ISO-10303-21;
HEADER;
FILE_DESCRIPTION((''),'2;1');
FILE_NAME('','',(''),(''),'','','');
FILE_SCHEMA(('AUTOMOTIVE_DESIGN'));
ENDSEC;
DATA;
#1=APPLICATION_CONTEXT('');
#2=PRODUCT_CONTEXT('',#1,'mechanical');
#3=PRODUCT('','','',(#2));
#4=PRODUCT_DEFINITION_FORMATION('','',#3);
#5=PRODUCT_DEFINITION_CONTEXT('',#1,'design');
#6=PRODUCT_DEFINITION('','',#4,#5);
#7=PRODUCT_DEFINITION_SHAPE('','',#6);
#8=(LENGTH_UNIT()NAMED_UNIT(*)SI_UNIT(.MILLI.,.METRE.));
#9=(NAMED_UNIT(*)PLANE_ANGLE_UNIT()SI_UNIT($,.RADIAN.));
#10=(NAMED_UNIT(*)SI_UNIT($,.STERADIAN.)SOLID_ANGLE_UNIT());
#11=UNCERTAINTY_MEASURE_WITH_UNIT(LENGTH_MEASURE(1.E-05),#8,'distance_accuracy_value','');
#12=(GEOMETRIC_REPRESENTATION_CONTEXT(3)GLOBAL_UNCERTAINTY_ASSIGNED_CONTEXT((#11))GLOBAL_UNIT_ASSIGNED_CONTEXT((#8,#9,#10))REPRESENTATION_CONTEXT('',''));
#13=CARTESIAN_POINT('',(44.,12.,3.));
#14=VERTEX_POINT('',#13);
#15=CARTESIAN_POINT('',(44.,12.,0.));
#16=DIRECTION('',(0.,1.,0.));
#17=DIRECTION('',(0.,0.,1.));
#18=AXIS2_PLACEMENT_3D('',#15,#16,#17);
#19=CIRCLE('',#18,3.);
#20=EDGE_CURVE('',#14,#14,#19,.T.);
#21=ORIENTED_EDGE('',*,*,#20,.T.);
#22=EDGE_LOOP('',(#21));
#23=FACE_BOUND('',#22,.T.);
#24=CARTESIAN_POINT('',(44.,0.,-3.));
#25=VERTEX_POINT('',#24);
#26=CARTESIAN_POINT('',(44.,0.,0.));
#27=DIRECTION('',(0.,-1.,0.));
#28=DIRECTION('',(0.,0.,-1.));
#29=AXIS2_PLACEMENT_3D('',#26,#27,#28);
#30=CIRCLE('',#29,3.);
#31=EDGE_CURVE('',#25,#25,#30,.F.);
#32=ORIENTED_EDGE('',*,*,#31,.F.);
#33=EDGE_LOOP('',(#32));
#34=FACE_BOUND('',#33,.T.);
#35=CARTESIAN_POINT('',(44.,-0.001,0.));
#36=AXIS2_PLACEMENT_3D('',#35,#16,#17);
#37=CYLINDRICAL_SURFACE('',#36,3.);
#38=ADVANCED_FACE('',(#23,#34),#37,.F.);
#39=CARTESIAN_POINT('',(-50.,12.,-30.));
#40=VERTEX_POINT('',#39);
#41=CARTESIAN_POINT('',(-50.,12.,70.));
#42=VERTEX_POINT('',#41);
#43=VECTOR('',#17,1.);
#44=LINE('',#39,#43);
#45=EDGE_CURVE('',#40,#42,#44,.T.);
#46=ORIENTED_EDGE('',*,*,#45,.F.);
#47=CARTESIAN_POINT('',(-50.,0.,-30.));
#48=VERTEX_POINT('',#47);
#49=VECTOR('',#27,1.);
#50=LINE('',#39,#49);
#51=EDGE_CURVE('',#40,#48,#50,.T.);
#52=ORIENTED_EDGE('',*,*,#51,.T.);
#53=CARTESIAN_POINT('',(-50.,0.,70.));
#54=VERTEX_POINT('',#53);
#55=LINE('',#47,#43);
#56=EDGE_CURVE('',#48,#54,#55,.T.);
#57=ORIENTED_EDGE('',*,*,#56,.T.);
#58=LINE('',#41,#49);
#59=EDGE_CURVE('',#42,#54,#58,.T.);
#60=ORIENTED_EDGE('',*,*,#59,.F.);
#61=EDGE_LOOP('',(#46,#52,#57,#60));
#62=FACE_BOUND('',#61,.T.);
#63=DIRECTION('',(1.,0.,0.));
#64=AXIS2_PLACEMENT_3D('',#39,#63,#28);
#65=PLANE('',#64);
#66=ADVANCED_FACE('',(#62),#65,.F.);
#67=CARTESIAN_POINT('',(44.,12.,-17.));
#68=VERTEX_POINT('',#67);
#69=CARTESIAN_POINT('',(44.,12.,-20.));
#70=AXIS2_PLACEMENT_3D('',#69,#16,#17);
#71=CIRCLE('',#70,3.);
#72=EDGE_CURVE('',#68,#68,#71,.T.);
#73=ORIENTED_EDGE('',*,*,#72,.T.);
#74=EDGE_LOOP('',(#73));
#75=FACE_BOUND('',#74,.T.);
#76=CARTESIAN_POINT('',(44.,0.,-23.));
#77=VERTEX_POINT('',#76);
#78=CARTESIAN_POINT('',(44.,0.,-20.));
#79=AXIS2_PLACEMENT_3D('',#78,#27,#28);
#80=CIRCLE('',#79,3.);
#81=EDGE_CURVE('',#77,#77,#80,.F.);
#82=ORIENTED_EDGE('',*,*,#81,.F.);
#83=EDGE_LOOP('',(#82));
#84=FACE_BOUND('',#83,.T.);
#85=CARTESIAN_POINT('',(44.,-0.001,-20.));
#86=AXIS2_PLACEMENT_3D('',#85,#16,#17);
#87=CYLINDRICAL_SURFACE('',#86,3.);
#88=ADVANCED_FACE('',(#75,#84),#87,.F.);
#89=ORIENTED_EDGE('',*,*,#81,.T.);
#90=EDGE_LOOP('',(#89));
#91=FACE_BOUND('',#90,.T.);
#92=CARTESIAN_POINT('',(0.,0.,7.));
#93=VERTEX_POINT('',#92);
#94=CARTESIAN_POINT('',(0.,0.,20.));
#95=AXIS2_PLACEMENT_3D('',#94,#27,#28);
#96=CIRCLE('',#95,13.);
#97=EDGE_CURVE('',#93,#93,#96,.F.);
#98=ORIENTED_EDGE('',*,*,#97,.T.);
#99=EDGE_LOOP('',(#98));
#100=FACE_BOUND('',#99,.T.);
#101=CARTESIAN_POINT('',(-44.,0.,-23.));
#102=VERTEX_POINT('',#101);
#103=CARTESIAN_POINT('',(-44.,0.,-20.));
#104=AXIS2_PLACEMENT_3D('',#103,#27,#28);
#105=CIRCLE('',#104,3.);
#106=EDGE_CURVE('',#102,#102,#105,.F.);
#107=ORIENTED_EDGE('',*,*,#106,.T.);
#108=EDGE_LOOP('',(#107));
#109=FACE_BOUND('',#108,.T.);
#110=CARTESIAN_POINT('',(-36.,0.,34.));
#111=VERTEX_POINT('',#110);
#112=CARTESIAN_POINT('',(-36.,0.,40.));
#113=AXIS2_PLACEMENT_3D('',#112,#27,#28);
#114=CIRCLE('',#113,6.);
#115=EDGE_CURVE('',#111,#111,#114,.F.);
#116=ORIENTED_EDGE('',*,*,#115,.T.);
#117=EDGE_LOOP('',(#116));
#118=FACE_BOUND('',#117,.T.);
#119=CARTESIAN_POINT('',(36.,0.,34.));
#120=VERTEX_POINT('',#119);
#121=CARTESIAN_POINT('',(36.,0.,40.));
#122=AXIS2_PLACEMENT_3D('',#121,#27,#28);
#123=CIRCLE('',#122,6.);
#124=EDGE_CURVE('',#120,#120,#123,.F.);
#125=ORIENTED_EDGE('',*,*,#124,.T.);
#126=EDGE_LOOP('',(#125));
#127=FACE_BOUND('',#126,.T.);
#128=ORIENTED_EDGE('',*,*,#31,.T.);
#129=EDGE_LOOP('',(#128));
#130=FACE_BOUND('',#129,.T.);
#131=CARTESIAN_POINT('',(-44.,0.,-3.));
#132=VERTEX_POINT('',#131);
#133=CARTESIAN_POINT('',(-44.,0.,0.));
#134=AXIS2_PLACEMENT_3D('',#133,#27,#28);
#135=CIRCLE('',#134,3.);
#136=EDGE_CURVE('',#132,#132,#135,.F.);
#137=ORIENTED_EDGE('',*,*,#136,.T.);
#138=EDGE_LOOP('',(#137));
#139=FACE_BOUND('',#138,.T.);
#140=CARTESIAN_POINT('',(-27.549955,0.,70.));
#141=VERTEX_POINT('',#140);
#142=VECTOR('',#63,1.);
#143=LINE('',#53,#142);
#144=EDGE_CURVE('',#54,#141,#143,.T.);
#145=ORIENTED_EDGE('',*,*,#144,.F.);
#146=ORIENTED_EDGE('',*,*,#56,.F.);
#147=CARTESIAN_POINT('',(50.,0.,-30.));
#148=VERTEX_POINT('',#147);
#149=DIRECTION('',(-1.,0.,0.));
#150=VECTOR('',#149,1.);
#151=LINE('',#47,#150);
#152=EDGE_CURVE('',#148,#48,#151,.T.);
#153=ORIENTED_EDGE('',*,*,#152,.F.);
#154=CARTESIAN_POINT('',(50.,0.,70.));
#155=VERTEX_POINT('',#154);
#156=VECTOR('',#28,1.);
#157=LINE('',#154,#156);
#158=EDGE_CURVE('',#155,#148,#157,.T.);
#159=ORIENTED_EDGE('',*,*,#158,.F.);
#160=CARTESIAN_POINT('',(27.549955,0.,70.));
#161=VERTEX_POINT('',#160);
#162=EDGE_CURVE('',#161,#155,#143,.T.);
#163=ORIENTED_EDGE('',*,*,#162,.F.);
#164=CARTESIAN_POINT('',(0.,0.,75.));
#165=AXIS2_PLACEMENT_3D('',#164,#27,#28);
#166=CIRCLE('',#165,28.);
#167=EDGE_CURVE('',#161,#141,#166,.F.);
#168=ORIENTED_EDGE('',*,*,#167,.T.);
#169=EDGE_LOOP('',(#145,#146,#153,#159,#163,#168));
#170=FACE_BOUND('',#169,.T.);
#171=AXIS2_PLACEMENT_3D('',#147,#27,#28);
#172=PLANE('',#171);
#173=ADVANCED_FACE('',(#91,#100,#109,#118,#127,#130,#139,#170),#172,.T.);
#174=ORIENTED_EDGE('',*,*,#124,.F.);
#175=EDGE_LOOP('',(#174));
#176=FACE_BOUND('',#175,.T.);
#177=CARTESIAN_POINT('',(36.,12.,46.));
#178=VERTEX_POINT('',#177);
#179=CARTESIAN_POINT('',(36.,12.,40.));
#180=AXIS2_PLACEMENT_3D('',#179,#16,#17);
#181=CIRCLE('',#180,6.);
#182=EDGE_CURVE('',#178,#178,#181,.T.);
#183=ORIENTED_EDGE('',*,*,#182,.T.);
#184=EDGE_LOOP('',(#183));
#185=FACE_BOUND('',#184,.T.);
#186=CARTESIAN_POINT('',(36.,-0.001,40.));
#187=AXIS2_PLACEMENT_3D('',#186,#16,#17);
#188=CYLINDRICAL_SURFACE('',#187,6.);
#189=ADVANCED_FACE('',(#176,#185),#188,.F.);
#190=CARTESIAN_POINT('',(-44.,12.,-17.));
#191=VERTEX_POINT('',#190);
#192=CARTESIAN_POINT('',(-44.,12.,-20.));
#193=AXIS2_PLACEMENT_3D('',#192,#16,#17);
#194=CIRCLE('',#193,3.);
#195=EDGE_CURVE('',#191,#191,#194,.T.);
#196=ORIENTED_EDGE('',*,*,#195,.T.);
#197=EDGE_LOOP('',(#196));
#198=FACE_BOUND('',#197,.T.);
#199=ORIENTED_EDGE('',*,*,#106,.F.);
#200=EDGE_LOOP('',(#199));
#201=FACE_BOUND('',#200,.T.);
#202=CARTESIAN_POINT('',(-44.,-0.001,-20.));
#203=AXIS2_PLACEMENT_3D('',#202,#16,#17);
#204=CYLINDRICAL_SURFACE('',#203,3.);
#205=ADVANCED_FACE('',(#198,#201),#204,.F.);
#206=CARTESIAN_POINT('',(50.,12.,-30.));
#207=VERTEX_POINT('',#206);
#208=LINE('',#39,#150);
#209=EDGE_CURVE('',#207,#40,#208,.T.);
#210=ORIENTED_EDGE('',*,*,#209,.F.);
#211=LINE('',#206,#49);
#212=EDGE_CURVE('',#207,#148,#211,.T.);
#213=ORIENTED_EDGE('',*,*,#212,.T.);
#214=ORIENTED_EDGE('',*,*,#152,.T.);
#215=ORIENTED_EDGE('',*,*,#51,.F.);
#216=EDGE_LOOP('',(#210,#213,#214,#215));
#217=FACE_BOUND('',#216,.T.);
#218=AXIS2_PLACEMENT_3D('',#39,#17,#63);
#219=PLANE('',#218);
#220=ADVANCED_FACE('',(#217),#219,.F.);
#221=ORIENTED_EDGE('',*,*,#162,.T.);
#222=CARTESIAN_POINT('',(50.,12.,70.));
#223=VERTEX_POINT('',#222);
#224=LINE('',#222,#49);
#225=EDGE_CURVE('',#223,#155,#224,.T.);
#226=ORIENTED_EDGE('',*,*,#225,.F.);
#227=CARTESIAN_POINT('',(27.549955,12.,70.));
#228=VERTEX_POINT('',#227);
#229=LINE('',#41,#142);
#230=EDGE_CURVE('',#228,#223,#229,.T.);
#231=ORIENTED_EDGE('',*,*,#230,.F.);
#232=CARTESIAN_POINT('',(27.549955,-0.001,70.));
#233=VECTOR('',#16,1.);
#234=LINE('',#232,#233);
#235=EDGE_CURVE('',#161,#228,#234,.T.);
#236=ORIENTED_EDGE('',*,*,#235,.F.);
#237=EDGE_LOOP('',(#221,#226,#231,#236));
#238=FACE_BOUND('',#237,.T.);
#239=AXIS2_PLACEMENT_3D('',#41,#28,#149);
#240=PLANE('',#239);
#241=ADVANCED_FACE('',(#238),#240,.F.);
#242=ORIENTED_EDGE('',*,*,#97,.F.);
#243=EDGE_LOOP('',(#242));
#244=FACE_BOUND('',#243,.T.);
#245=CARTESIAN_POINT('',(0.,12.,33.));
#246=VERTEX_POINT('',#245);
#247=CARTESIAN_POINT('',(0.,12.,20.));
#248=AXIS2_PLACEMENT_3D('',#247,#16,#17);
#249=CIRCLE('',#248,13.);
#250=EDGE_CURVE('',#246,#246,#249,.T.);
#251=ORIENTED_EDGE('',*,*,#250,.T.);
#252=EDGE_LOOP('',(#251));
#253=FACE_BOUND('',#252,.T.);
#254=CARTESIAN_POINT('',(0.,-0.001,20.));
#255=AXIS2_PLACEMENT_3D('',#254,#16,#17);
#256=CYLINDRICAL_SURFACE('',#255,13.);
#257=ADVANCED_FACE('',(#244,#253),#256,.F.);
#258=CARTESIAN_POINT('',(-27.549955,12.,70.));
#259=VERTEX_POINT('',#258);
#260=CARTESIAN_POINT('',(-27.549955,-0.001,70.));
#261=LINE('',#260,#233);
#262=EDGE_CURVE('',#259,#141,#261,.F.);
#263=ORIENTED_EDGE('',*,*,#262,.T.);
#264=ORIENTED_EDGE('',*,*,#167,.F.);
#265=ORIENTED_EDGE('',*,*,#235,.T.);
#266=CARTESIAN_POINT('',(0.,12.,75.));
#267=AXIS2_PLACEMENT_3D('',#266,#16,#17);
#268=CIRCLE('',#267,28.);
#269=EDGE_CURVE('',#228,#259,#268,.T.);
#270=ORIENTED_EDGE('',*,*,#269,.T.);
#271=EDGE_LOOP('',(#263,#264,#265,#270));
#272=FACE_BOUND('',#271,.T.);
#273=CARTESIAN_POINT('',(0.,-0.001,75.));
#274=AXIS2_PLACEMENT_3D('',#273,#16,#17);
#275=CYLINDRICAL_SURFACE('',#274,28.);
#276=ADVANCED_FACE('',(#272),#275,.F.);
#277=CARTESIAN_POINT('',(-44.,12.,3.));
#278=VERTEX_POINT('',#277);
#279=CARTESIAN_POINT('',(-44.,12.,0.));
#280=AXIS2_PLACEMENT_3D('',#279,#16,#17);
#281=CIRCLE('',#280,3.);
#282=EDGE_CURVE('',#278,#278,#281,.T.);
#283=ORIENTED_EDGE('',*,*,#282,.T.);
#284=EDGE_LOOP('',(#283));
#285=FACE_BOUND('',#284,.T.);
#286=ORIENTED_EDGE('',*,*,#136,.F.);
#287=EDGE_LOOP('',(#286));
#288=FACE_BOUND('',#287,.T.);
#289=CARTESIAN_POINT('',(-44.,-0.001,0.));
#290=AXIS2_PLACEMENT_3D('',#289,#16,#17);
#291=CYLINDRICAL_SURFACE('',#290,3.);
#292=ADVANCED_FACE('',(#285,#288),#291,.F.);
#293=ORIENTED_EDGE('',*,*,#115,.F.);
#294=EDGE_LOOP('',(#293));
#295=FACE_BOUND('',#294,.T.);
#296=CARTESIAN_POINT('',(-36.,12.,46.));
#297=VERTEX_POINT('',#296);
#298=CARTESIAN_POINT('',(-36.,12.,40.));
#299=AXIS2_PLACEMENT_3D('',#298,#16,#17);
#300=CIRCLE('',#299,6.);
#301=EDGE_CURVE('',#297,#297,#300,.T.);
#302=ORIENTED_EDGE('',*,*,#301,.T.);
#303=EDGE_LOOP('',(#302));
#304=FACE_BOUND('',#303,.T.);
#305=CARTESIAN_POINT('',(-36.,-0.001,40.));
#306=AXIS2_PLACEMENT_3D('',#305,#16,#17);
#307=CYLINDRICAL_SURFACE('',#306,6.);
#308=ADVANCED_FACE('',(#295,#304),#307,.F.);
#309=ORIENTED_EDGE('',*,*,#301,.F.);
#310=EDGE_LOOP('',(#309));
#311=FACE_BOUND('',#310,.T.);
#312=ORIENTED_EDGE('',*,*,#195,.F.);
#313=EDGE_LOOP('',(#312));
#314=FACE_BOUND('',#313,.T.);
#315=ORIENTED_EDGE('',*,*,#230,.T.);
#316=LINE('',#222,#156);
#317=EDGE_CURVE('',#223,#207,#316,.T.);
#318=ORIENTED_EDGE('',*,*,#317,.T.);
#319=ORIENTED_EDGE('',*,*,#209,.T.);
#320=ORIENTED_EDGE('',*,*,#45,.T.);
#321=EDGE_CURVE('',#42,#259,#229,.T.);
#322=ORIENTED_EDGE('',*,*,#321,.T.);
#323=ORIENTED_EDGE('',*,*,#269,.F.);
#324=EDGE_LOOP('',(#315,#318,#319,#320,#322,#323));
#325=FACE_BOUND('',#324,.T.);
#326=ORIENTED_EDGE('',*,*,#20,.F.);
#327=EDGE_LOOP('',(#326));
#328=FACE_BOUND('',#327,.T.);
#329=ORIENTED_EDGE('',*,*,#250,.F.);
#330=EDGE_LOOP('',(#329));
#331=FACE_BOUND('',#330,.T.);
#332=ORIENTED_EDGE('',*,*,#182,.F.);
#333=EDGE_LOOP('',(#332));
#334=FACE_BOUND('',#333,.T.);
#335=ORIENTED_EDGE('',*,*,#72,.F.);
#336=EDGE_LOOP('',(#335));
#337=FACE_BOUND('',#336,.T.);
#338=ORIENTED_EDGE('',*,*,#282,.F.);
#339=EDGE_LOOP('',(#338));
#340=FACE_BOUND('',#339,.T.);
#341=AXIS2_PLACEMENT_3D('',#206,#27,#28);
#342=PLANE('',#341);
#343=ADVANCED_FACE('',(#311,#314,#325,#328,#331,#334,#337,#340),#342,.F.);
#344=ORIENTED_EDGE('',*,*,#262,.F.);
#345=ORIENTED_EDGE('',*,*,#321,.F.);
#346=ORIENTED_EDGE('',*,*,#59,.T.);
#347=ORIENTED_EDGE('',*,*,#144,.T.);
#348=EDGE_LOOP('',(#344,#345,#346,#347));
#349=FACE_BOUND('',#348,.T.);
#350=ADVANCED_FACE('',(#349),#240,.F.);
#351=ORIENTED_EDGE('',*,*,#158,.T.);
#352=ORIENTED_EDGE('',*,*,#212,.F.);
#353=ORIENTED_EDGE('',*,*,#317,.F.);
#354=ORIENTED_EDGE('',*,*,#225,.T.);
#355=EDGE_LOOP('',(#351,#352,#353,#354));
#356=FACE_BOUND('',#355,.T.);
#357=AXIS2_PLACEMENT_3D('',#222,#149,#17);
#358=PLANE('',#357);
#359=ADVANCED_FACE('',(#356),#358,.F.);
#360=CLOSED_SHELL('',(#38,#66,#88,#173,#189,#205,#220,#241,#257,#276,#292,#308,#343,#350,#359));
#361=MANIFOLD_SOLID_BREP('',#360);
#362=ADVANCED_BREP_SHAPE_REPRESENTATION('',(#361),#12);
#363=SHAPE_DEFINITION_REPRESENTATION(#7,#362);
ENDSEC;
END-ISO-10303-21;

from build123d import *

# Parameters (mm, degrees)
SKETCH1_W           = 100
SKETCH1_H           = 100
BOSS_EXTRUDE1_DEPTH = 12
CUT_EXTRUDE1_REACH  = 88.856
SKETCH2_R           = 3
CUT_EXTRUDE2_REACH  = 88.856
SKETCH3_R           = 13
CUT_EXTRUDE3_REACH  = 88.856
SKETCH4_R           = 6
CUT_EXTRUDE4_REACH  = 88.856
SKETCH5_R           = 28


with BuildPart() as part:
    # Sketch1 → Boss-Extrude1 (new body)
    with BuildSketch(Plane(origin=(0, 0, 0), x_dir=(1, 0, 0), z_dir=(0, 1, 0))):
        with Locations((0, -20)):
            Rectangle(SKETCH1_W, SKETCH1_H)
    extrude(amount=BOSS_EXTRUDE1_DEPTH)

    # Sketch2 → Cut-Extrude1 (cut, up to next)
    with BuildSketch(Plane(origin=(0, 12, 0), x_dir=(1, 0, 0), z_dir=(0, 1, 0)), mode=Mode.PRIVATE) as cut_extrude1_sk1:
        with Locations(Location((-44, 20, 0), (0, 0, 270))):
            Circle(SKETCH2_R)
    cut_extrude1_tool1 = extrude(cut_extrude1_sk1.sketch, amount=-CUT_EXTRUDE1_REACH, mode=Mode.PRIVATE) & part.part
    # Sketch2 → Cut-Extrude1 (cut, up to next)
    with BuildSketch(Plane(origin=(0, 12, 0), x_dir=(1, 0, 0), z_dir=(0, 1, 0)), mode=Mode.PRIVATE) as cut_extrude1_sk2:
        with Locations(Location((-44, 0, 0), (0, 0, 270))):
            Circle(SKETCH2_R)
    cut_extrude1_tool2 = extrude(cut_extrude1_sk2.sketch, amount=-CUT_EXTRUDE1_REACH, mode=Mode.PRIVATE) & part.part
    # Sketch2 → Cut-Extrude1 (cut, up to next)
    with BuildSketch(Plane(origin=(0, 12, 0), x_dir=(1, 0, 0), z_dir=(0, 1, 0)), mode=Mode.PRIVATE) as cut_extrude1_sk3:
        with Locations(Location((44, 20, 0), (0, 0, 270))):
            Circle(SKETCH2_R)
    cut_extrude1_tool3 = extrude(cut_extrude1_sk3.sketch, amount=-CUT_EXTRUDE1_REACH, mode=Mode.PRIVATE) & part.part
    # Sketch2 → Cut-Extrude1 (cut, up to next)
    with BuildSketch(Plane(origin=(0, 12, 0), x_dir=(1, 0, 0), z_dir=(0, 1, 0)), mode=Mode.PRIVATE) as cut_extrude1_sk4:
        with Locations(Location((44, 0, 0), (0, 0, 270))):
            Circle(SKETCH2_R)
    cut_extrude1_tool4 = extrude(cut_extrude1_sk4.sketch, amount=-CUT_EXTRUDE1_REACH, mode=Mode.PRIVATE) & part.part
    add(cut_extrude1_tool1.solids().sort_by_distance((-44, 12, -20))[0], mode=Mode.SUBTRACT)
    add(cut_extrude1_tool2.solids().sort_by_distance((-44, 12, 0))[0], mode=Mode.SUBTRACT)
    add(cut_extrude1_tool3.solids().sort_by_distance((44, 12, -20))[0], mode=Mode.SUBTRACT)
    add(cut_extrude1_tool4.solids().sort_by_distance((44, 12, 0))[0], mode=Mode.SUBTRACT)

    # Sketch3 → Cut-Extrude2 (cut, up to next)
    with BuildSketch(Plane(origin=(0, 12, 0), x_dir=(1, 0, 0), z_dir=(0, 1, 0)), mode=Mode.PRIVATE) as cut_extrude2_sk1:
        with Locations(Location((0, -20, 0), (0, 0, 270))):
            Circle(SKETCH3_R)
    cut_extrude2_tool1 = extrude(cut_extrude2_sk1.sketch, amount=-CUT_EXTRUDE2_REACH, mode=Mode.PRIVATE) & part.part
    add(cut_extrude2_tool1.solids().sort_by_distance((0, 12, 20))[0], mode=Mode.SUBTRACT)

    # Sketch4 → Cut-Extrude3 (cut, up to next)
    with BuildSketch(Plane(origin=(0, 12, 0), x_dir=(1, 0, 0), z_dir=(0, 1, 0)), mode=Mode.PRIVATE) as cut_extrude3_sk1:
        with Locations(Location((-36, -40, 0), (0, 0, 270))):
            Circle(SKETCH4_R)
    cut_extrude3_tool1 = extrude(cut_extrude3_sk1.sketch, amount=-CUT_EXTRUDE3_REACH, mode=Mode.PRIVATE) & part.part
    # Sketch4 → Cut-Extrude3 (cut, up to next)
    with BuildSketch(Plane(origin=(0, 12, 0), x_dir=(1, 0, 0), z_dir=(0, 1, 0)), mode=Mode.PRIVATE) as cut_extrude3_sk2:
        with Locations(Location((36, -40, 0), (0, 0, 270))):
            Circle(SKETCH4_R)
    cut_extrude3_tool2 = extrude(cut_extrude3_sk2.sketch, amount=-CUT_EXTRUDE3_REACH, mode=Mode.PRIVATE) & part.part
    add(cut_extrude3_tool1.solids().sort_by_distance((-36, 12, 40))[0], mode=Mode.SUBTRACT)
    add(cut_extrude3_tool2.solids().sort_by_distance((36, 12, 40))[0], mode=Mode.SUBTRACT)

    # Sketch5 → Cut-Extrude4 (cut, up to next)
    with BuildSketch(Plane(origin=(0, 12, 0), x_dir=(1, 0, 0), z_dir=(0, 1, 0)), mode=Mode.PRIVATE) as cut_extrude4_sk1:
        with Locations((0, -75)):
            Circle(SKETCH5_R)
    cut_extrude4_tool1 = extrude(cut_extrude4_sk1.sketch, amount=-CUT_EXTRUDE4_REACH, mode=Mode.PRIVATE) & part.part
    add(cut_extrude4_tool1.solids().sort_by_distance((0, 12, 75))[0], mode=Mode.SUBTRACT)


solid = part.part
